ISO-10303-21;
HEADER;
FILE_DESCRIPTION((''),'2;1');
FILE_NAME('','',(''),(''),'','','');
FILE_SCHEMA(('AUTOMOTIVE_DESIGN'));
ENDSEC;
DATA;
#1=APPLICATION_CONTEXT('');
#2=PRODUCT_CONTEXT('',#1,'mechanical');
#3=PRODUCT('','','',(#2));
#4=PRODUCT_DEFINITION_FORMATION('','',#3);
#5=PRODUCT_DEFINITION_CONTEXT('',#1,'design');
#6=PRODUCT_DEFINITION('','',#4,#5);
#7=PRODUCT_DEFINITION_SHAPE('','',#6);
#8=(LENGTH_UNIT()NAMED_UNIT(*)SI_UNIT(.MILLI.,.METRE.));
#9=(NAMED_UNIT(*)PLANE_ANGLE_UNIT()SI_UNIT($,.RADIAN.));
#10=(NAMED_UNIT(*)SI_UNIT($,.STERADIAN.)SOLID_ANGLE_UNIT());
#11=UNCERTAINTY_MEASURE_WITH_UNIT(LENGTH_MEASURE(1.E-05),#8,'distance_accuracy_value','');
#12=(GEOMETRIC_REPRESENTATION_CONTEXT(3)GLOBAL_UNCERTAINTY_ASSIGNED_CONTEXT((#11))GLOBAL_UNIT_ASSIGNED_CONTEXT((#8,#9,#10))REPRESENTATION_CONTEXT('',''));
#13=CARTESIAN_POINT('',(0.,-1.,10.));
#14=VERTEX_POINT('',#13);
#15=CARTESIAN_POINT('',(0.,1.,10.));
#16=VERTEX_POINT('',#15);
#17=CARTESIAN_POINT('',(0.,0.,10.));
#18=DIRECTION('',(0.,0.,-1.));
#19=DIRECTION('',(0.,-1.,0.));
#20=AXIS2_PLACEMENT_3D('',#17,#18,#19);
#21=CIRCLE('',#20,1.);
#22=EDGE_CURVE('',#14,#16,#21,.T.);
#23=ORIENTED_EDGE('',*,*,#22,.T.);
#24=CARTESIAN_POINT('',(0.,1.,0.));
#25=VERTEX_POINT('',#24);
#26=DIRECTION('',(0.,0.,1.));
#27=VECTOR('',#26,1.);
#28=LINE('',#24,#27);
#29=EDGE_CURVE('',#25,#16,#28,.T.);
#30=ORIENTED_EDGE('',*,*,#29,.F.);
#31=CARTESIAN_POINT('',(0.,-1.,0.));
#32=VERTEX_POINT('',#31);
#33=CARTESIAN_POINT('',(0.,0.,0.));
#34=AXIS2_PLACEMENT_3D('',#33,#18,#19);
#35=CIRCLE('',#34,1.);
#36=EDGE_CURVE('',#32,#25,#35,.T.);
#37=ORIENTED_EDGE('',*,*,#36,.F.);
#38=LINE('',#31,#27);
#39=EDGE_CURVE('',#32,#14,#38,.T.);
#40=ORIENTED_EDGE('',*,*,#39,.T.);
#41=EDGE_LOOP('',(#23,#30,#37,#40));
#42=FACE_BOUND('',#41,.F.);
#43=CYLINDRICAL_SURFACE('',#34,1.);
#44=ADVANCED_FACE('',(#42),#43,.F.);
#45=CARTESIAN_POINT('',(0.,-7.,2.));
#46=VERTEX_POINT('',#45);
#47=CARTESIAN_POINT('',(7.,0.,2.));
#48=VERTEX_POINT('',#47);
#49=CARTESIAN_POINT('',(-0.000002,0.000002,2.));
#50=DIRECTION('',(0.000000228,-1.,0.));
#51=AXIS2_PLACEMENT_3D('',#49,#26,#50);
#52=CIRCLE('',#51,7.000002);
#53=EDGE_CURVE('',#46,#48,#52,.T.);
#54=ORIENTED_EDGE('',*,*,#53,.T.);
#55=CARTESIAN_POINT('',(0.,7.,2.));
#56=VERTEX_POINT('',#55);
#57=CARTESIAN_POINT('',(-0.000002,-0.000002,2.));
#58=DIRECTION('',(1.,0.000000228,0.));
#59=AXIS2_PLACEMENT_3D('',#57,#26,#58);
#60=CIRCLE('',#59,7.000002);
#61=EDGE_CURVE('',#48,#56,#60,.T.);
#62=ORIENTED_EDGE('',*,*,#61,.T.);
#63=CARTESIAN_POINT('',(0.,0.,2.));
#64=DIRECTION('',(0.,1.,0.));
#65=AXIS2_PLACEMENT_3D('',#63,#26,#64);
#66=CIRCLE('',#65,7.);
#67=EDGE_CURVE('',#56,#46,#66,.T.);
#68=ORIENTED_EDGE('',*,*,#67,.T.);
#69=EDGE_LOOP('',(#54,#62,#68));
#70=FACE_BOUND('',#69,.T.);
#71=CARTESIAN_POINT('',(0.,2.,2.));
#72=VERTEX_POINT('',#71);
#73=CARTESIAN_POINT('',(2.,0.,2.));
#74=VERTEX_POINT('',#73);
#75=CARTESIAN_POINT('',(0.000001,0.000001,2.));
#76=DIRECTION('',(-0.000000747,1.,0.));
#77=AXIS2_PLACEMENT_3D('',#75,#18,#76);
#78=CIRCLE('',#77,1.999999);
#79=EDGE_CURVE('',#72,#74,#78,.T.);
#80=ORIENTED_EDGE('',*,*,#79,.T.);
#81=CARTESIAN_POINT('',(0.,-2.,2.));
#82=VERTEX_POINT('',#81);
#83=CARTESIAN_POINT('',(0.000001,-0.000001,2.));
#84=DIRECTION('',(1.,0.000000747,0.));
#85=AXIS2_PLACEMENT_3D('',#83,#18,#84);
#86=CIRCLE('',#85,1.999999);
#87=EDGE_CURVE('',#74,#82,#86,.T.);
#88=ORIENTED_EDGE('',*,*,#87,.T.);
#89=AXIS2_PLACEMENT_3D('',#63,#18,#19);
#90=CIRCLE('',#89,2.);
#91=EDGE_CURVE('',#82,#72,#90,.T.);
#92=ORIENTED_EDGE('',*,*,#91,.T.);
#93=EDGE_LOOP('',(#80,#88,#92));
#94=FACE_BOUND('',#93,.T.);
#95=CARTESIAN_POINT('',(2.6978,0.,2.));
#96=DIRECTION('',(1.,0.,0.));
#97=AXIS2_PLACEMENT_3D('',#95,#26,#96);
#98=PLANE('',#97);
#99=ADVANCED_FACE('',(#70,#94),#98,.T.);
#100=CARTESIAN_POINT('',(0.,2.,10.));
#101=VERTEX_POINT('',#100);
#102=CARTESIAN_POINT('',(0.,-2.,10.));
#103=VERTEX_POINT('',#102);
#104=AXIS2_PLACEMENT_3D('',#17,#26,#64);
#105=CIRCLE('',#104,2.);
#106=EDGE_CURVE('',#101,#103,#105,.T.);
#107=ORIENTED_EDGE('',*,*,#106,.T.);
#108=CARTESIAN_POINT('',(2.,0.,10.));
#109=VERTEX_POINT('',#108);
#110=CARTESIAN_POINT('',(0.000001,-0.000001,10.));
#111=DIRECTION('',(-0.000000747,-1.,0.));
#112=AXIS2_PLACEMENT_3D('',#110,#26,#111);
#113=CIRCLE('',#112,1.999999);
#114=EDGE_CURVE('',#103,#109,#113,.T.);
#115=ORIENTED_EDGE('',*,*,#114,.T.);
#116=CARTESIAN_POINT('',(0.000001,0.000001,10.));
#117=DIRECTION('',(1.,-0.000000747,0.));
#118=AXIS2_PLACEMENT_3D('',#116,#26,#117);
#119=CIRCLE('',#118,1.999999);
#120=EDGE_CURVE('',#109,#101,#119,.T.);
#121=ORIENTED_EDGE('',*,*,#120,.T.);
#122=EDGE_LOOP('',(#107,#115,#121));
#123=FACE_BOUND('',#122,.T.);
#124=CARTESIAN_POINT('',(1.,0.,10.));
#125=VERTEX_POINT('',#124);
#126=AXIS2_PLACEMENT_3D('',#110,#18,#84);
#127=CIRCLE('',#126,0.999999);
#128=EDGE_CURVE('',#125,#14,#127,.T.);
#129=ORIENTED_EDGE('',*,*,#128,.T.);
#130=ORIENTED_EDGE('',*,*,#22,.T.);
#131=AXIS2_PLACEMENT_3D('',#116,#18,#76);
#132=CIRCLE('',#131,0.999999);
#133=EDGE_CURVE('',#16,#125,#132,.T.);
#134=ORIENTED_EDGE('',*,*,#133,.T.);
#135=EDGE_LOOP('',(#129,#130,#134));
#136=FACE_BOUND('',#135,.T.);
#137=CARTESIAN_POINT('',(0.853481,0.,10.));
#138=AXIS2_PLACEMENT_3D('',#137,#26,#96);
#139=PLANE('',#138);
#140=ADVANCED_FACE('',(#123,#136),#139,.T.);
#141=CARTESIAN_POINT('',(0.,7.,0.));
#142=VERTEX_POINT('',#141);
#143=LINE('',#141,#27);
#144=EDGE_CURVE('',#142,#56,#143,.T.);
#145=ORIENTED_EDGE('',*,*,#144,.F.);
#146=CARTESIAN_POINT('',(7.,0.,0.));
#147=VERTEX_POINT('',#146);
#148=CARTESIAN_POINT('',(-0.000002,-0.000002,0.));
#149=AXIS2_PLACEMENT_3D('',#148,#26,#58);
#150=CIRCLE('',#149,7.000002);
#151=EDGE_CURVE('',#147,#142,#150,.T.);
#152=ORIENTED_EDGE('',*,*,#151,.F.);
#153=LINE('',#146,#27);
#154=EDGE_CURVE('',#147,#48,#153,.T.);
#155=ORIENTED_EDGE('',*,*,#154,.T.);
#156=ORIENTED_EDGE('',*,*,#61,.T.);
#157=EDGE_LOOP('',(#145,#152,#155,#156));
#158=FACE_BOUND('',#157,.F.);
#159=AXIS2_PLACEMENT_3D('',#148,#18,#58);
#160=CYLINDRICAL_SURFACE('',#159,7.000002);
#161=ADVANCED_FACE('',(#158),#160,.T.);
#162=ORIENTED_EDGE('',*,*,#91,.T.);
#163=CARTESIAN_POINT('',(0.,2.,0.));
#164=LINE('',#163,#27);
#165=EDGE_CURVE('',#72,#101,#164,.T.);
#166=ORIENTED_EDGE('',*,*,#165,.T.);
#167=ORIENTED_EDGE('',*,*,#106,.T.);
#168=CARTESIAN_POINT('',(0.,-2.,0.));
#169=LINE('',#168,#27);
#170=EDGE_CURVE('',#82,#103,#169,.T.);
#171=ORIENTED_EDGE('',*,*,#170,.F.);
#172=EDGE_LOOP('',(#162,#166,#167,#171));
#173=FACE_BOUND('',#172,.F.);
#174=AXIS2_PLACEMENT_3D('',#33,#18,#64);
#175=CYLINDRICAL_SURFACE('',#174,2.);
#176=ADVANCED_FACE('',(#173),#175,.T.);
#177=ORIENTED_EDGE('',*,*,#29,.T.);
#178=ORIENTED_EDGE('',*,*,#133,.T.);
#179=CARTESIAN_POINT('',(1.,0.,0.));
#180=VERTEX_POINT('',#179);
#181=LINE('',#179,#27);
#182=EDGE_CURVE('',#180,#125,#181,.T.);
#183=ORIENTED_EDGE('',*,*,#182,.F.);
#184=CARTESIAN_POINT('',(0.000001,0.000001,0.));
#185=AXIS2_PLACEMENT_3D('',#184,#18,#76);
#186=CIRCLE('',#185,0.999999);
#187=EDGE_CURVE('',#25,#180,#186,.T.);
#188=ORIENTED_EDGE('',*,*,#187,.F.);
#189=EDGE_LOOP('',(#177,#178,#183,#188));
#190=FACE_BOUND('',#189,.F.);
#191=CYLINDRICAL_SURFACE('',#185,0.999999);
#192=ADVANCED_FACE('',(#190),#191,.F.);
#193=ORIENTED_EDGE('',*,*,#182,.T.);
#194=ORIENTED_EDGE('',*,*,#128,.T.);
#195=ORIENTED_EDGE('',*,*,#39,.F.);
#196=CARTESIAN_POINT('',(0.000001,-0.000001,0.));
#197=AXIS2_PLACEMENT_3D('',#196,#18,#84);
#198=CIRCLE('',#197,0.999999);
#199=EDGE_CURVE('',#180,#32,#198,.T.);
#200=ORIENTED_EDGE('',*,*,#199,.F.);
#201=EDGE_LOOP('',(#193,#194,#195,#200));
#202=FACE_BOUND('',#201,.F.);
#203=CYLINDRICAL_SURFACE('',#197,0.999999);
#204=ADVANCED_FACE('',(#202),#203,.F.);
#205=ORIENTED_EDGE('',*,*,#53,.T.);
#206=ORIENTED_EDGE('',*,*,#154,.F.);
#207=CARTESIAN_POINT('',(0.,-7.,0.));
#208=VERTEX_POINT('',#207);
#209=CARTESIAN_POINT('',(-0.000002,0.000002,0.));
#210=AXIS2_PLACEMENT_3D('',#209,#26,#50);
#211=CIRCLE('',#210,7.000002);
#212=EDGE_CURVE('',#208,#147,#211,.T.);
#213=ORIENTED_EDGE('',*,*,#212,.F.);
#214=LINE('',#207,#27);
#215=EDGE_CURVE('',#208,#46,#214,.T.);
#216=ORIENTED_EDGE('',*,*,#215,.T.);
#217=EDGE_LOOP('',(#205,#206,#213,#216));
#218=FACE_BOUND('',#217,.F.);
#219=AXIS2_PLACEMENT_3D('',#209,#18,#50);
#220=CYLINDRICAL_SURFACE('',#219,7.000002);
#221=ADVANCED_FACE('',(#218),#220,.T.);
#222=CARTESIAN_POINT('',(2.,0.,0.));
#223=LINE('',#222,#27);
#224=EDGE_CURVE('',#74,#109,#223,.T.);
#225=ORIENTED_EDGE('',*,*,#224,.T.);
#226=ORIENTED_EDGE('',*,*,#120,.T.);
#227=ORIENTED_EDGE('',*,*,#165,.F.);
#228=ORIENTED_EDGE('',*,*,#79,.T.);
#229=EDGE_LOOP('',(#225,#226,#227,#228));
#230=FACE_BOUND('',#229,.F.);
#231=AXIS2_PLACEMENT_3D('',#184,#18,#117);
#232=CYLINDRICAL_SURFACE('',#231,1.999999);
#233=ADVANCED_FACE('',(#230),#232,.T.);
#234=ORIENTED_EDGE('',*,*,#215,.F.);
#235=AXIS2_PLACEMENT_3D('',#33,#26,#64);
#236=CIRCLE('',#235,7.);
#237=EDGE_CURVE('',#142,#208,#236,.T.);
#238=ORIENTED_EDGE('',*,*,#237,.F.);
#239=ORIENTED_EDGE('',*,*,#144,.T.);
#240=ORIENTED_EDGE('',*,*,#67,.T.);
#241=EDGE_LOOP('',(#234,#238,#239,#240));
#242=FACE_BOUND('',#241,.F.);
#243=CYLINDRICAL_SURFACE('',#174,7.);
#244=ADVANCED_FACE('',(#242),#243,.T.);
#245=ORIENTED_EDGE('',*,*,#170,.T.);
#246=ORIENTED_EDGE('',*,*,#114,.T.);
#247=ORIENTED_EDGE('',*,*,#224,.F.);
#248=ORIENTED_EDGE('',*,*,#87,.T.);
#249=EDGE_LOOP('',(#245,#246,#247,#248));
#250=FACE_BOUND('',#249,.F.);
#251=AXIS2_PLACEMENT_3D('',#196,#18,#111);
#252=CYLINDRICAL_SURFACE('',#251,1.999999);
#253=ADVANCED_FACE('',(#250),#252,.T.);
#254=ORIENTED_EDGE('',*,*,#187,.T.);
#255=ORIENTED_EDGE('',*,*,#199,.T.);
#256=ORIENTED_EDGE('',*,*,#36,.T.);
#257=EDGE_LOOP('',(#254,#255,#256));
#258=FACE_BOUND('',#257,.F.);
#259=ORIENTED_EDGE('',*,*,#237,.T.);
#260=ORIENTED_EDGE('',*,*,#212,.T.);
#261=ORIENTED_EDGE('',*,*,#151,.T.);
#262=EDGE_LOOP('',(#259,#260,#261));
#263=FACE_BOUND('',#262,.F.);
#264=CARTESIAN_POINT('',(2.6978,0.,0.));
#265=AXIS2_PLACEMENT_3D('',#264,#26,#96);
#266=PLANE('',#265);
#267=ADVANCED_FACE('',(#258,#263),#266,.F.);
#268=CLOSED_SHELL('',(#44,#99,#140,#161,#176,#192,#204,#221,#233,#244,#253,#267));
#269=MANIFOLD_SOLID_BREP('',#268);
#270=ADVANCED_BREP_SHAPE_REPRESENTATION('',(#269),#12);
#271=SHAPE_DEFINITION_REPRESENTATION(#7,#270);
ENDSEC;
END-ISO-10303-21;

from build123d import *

# Parameters (mm, degrees)
F1_DEPTH = 2
F2_DEPTH = 2
F3_DEPTH = 10


with BuildPart() as f1:
    # F0 (on Top) → F1 (new body)
    with BuildSketch(Plane.XY):
        with BuildLine():
            Line((0, 2), (0, 7))
            ThreePointArc((0, 7), (-7, 0), (0, -7))
            Line((0, -7), (0, -2))
            ThreePointArc((0, -2), (-2, 0), (0, 2))
        make_face()
    extrude(amount=F1_DEPTH)



with BuildPart() as f2:
    # F0 (on Top) → F2 (new body)
    with BuildSketch(Plane.XY):
        with BuildLine():
            ThreePointArc((0, -7), (4.949747, -4.949747), (7, 0))
            ThreePointArc((7, 0), (4.949747, 4.949747), (0, 7))
            Line((0, 7), (0, 2))
            ThreePointArc((0, 2), (1.414214, 1.414214), (2, 0))
            ThreePointArc((2, 0), (1.414214, -1.414214), (0, -2))
            Line((0, -2), (0, -7))
        make_face()
    extrude(amount=F2_DEPTH)


with BuildPart() as f1_1:
    add(f1.part)

    add(f2.part)  # F3 merges F2
    # F0 (on Top) → F3 (join)
    with BuildSketch(Plane.XY):
        with BuildLine():
            ThreePointArc((2, 0), (1.414214, 1.414214), (0, 2))
            Line((0, 2), (0, 1))
            ThreePointArc((0, 1), (0.707107, 0.707107), (1, 0))
            ThreePointArc((1, 0), (0.707107, -0.707107), (0, -1))
            Line((0, -1), (0, -2))
            ThreePointArc((0, -2), (1.414214, -1.414214), (2, 0))
        make_face()
        with BuildLine():
            Line((0, 1), (0, 2))
            ThreePointArc((0, 2), (-2, 0), (0, -2))
            Line((0, -2), (0, -1))
            ThreePointArc((0, -1), (-1, 0), (0, 1))
        make_face()
    extrude(amount=F3_DEPTH)


solid = f1_1.part
